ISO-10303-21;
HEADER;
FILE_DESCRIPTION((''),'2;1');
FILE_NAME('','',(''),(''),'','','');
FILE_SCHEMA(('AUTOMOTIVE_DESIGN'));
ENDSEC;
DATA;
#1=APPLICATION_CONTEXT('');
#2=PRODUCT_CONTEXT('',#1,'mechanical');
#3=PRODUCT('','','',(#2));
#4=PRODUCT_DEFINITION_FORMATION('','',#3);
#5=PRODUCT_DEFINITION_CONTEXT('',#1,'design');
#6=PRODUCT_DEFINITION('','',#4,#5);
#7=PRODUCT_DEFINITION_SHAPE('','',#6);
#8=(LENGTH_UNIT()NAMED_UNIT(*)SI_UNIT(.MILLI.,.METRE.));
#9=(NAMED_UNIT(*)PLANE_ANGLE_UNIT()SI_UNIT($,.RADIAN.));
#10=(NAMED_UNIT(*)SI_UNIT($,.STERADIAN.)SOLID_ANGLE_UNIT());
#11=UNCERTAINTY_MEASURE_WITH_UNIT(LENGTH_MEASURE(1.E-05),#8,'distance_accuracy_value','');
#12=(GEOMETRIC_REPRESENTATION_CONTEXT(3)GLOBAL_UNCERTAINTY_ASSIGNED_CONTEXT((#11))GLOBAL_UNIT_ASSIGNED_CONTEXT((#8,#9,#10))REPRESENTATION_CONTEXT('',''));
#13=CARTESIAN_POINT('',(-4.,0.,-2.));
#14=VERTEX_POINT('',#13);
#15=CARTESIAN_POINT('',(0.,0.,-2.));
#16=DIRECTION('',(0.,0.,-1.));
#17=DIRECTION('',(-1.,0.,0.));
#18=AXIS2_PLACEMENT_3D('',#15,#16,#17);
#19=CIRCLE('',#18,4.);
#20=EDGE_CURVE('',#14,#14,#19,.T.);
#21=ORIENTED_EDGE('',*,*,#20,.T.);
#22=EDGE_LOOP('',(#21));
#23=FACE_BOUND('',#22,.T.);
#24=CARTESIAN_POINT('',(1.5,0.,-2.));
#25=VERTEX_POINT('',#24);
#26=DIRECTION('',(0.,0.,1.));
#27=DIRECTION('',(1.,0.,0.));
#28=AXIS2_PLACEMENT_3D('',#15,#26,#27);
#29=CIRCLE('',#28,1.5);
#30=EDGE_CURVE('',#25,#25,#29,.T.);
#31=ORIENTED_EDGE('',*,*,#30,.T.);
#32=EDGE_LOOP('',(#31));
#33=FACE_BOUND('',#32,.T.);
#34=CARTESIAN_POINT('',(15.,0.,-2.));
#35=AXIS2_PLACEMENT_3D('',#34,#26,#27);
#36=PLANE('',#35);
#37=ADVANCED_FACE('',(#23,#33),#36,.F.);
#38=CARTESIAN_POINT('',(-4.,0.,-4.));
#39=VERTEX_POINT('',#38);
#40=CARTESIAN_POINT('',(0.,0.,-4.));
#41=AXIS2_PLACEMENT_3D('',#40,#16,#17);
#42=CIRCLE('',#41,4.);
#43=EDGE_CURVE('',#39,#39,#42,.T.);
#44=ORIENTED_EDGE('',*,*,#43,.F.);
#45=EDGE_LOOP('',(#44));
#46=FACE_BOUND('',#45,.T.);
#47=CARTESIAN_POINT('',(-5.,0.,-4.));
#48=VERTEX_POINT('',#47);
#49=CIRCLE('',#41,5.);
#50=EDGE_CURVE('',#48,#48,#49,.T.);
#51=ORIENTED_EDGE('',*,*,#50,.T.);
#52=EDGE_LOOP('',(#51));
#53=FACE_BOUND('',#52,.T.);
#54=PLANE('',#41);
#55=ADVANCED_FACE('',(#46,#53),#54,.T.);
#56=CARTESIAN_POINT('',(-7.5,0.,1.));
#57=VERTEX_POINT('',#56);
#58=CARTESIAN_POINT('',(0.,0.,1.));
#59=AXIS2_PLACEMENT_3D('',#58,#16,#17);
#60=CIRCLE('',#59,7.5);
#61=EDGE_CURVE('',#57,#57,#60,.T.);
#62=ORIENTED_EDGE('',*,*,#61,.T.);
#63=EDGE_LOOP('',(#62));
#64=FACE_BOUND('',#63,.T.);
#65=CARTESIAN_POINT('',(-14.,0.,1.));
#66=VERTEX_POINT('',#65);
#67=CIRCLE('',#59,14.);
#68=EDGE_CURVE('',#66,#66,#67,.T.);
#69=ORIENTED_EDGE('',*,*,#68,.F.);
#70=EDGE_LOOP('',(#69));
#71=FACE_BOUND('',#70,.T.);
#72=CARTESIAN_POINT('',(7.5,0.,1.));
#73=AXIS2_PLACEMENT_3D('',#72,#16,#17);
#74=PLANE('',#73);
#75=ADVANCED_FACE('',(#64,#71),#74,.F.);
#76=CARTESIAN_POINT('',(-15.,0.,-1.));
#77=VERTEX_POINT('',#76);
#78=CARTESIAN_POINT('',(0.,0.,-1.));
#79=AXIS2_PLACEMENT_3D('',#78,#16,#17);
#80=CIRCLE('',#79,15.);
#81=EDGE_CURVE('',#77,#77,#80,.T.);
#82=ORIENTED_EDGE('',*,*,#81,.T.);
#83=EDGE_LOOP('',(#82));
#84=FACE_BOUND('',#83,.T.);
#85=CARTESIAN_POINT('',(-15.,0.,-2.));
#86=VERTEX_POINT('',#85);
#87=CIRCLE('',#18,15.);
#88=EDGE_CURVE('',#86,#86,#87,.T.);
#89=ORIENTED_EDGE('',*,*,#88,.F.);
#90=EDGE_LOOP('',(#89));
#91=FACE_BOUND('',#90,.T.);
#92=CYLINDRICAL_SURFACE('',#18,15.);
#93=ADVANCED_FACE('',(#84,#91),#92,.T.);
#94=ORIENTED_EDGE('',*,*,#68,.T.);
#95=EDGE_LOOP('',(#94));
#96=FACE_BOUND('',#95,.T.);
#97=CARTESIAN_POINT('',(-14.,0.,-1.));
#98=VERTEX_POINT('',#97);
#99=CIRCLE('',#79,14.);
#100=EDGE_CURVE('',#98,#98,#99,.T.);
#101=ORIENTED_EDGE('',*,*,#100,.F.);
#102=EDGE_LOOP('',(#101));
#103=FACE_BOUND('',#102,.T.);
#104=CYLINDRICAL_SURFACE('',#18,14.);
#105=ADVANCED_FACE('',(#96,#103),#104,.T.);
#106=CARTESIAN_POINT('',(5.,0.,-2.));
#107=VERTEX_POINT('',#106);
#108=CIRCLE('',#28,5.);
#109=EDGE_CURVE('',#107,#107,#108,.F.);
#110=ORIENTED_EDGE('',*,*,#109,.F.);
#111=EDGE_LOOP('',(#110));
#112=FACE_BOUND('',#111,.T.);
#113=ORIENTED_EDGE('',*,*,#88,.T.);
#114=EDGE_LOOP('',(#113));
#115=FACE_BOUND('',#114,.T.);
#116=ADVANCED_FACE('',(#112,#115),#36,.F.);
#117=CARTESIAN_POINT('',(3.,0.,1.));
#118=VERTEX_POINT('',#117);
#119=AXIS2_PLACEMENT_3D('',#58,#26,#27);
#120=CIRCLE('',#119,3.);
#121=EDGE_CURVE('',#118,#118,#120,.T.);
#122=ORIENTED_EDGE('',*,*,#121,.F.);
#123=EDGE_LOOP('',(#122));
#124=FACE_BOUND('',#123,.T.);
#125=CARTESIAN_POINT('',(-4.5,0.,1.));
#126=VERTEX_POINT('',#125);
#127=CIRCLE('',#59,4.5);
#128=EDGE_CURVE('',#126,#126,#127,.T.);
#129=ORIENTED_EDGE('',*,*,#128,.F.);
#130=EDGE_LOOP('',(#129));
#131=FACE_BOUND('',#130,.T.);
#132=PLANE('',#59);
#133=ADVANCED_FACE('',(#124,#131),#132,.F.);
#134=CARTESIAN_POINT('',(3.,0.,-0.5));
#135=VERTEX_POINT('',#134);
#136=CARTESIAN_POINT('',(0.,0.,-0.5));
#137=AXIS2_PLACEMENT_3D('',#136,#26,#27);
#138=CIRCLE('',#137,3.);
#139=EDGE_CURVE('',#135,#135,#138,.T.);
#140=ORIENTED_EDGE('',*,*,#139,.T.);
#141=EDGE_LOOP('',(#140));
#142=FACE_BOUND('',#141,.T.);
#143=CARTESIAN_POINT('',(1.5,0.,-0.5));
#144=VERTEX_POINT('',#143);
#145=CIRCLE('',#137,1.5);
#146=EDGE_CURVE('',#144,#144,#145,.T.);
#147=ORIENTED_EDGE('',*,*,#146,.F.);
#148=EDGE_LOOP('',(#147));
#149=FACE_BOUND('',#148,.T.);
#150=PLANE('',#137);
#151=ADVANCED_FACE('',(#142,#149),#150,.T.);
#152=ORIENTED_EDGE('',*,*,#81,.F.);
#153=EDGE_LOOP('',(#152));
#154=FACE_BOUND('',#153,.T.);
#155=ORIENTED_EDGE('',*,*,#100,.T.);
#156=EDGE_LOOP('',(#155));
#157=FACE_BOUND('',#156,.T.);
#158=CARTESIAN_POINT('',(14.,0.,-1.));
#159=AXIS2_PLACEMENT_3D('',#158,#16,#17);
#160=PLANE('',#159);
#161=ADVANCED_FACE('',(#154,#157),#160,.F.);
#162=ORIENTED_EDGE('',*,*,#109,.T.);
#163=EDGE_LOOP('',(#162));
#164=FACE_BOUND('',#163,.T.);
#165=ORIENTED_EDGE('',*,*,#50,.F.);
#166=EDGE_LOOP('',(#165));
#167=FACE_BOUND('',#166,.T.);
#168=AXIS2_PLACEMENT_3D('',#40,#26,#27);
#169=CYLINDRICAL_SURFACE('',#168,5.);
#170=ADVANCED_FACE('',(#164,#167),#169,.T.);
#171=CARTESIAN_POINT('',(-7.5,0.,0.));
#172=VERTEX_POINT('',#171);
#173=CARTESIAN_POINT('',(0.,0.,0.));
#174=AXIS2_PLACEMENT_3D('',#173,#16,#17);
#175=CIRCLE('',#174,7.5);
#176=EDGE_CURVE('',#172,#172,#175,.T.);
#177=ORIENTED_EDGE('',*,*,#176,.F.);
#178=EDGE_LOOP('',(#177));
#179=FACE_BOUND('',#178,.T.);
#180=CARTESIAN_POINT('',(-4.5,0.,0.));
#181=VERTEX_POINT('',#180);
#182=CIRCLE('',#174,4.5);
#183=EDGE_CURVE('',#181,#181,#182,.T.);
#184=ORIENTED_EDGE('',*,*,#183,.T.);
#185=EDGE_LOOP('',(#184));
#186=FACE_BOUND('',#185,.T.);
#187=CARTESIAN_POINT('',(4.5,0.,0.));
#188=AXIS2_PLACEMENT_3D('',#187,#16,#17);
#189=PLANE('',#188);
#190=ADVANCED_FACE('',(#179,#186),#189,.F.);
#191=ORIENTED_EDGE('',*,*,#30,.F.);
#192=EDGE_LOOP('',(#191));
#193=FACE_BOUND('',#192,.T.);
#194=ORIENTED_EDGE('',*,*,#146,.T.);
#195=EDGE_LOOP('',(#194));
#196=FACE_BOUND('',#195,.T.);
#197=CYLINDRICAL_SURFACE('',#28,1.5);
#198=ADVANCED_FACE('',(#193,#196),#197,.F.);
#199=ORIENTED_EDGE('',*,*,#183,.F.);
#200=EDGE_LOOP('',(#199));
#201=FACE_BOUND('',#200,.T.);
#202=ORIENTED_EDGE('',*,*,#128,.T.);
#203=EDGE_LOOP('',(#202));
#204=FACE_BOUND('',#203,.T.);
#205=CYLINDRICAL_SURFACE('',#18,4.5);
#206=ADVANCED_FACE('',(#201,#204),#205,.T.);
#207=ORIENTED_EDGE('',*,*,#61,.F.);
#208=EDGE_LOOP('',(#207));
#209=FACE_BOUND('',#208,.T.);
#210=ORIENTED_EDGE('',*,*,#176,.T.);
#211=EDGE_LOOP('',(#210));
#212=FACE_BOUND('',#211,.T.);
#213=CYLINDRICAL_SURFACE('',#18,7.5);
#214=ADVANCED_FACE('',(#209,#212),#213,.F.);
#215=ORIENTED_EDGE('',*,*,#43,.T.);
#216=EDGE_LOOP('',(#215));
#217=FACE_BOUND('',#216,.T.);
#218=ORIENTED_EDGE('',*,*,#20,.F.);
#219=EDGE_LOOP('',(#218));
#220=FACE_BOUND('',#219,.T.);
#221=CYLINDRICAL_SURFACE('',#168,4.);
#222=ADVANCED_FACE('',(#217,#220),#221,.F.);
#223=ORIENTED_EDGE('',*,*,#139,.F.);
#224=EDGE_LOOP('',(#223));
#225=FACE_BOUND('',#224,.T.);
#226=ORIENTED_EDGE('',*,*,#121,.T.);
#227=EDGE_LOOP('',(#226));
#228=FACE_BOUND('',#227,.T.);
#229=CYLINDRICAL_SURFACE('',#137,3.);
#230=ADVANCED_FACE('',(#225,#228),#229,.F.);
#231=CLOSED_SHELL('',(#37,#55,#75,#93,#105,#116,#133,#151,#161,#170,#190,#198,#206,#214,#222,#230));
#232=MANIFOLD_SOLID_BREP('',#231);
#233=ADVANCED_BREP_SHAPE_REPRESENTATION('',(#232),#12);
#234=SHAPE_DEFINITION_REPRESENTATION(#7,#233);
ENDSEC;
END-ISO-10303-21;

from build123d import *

# Parameters (mm, degrees)
SKETCH3_R           = 3
CUT_EXTRUDE1_DEPTH  = 1.5
SKETCH4_R           = 1.5
CUT_EXTRUDE2_DEPTH  = 2.5
SKETCH5_R           = 5
SKETCH5_R_2         = 4
EXTRUDE_THIN1_DEPTH = 2


with BuildPart() as part:
    # Sketch1 → Revolve1 (revolve)
    with BuildSketch(Plane(origin=(0, 0, 0), x_dir=(1, 0, 0), z_dir=(0, 1, 0))):
        Polygon((0, -1), (4.5, -1), (4.5, 0), (7.5, 0), (7.5, -1), (14, -1), (14, 1), (15, 1), (15, 2), (0, 2), align=None)
    revolve(axis=Axis((0, 0, -2), (0, 0, 1)))

    # Sketch3 → Cut-Extrude1 (cut)
    with BuildSketch(Plane.XY.offset(1)):
        Circle(SKETCH3_R)
    extrude(amount=-CUT_EXTRUDE1_DEPTH, mode=Mode.SUBTRACT)

    # Sketch4 → Cut-Extrude2 (cut, through all)
    with BuildSketch(Plane.XY.offset(-0.5)):
        Circle(SKETCH4_R)
    extrude(amount=-CUT_EXTRUDE2_DEPTH, mode=Mode.SUBTRACT)

    # Sketch5 → Extrude-Thin1 (add)
    with BuildSketch(Plane(origin=(0, 0, -2), x_dir=(-1, 0, 0), z_dir=(0, 0, -1))):
        Circle(SKETCH5_R)
        Circle(SKETCH5_R_2, mode=Mode.SUBTRACT)
    extrude(amount=EXTRUDE_THIN1_DEPTH)


solid = part.part
